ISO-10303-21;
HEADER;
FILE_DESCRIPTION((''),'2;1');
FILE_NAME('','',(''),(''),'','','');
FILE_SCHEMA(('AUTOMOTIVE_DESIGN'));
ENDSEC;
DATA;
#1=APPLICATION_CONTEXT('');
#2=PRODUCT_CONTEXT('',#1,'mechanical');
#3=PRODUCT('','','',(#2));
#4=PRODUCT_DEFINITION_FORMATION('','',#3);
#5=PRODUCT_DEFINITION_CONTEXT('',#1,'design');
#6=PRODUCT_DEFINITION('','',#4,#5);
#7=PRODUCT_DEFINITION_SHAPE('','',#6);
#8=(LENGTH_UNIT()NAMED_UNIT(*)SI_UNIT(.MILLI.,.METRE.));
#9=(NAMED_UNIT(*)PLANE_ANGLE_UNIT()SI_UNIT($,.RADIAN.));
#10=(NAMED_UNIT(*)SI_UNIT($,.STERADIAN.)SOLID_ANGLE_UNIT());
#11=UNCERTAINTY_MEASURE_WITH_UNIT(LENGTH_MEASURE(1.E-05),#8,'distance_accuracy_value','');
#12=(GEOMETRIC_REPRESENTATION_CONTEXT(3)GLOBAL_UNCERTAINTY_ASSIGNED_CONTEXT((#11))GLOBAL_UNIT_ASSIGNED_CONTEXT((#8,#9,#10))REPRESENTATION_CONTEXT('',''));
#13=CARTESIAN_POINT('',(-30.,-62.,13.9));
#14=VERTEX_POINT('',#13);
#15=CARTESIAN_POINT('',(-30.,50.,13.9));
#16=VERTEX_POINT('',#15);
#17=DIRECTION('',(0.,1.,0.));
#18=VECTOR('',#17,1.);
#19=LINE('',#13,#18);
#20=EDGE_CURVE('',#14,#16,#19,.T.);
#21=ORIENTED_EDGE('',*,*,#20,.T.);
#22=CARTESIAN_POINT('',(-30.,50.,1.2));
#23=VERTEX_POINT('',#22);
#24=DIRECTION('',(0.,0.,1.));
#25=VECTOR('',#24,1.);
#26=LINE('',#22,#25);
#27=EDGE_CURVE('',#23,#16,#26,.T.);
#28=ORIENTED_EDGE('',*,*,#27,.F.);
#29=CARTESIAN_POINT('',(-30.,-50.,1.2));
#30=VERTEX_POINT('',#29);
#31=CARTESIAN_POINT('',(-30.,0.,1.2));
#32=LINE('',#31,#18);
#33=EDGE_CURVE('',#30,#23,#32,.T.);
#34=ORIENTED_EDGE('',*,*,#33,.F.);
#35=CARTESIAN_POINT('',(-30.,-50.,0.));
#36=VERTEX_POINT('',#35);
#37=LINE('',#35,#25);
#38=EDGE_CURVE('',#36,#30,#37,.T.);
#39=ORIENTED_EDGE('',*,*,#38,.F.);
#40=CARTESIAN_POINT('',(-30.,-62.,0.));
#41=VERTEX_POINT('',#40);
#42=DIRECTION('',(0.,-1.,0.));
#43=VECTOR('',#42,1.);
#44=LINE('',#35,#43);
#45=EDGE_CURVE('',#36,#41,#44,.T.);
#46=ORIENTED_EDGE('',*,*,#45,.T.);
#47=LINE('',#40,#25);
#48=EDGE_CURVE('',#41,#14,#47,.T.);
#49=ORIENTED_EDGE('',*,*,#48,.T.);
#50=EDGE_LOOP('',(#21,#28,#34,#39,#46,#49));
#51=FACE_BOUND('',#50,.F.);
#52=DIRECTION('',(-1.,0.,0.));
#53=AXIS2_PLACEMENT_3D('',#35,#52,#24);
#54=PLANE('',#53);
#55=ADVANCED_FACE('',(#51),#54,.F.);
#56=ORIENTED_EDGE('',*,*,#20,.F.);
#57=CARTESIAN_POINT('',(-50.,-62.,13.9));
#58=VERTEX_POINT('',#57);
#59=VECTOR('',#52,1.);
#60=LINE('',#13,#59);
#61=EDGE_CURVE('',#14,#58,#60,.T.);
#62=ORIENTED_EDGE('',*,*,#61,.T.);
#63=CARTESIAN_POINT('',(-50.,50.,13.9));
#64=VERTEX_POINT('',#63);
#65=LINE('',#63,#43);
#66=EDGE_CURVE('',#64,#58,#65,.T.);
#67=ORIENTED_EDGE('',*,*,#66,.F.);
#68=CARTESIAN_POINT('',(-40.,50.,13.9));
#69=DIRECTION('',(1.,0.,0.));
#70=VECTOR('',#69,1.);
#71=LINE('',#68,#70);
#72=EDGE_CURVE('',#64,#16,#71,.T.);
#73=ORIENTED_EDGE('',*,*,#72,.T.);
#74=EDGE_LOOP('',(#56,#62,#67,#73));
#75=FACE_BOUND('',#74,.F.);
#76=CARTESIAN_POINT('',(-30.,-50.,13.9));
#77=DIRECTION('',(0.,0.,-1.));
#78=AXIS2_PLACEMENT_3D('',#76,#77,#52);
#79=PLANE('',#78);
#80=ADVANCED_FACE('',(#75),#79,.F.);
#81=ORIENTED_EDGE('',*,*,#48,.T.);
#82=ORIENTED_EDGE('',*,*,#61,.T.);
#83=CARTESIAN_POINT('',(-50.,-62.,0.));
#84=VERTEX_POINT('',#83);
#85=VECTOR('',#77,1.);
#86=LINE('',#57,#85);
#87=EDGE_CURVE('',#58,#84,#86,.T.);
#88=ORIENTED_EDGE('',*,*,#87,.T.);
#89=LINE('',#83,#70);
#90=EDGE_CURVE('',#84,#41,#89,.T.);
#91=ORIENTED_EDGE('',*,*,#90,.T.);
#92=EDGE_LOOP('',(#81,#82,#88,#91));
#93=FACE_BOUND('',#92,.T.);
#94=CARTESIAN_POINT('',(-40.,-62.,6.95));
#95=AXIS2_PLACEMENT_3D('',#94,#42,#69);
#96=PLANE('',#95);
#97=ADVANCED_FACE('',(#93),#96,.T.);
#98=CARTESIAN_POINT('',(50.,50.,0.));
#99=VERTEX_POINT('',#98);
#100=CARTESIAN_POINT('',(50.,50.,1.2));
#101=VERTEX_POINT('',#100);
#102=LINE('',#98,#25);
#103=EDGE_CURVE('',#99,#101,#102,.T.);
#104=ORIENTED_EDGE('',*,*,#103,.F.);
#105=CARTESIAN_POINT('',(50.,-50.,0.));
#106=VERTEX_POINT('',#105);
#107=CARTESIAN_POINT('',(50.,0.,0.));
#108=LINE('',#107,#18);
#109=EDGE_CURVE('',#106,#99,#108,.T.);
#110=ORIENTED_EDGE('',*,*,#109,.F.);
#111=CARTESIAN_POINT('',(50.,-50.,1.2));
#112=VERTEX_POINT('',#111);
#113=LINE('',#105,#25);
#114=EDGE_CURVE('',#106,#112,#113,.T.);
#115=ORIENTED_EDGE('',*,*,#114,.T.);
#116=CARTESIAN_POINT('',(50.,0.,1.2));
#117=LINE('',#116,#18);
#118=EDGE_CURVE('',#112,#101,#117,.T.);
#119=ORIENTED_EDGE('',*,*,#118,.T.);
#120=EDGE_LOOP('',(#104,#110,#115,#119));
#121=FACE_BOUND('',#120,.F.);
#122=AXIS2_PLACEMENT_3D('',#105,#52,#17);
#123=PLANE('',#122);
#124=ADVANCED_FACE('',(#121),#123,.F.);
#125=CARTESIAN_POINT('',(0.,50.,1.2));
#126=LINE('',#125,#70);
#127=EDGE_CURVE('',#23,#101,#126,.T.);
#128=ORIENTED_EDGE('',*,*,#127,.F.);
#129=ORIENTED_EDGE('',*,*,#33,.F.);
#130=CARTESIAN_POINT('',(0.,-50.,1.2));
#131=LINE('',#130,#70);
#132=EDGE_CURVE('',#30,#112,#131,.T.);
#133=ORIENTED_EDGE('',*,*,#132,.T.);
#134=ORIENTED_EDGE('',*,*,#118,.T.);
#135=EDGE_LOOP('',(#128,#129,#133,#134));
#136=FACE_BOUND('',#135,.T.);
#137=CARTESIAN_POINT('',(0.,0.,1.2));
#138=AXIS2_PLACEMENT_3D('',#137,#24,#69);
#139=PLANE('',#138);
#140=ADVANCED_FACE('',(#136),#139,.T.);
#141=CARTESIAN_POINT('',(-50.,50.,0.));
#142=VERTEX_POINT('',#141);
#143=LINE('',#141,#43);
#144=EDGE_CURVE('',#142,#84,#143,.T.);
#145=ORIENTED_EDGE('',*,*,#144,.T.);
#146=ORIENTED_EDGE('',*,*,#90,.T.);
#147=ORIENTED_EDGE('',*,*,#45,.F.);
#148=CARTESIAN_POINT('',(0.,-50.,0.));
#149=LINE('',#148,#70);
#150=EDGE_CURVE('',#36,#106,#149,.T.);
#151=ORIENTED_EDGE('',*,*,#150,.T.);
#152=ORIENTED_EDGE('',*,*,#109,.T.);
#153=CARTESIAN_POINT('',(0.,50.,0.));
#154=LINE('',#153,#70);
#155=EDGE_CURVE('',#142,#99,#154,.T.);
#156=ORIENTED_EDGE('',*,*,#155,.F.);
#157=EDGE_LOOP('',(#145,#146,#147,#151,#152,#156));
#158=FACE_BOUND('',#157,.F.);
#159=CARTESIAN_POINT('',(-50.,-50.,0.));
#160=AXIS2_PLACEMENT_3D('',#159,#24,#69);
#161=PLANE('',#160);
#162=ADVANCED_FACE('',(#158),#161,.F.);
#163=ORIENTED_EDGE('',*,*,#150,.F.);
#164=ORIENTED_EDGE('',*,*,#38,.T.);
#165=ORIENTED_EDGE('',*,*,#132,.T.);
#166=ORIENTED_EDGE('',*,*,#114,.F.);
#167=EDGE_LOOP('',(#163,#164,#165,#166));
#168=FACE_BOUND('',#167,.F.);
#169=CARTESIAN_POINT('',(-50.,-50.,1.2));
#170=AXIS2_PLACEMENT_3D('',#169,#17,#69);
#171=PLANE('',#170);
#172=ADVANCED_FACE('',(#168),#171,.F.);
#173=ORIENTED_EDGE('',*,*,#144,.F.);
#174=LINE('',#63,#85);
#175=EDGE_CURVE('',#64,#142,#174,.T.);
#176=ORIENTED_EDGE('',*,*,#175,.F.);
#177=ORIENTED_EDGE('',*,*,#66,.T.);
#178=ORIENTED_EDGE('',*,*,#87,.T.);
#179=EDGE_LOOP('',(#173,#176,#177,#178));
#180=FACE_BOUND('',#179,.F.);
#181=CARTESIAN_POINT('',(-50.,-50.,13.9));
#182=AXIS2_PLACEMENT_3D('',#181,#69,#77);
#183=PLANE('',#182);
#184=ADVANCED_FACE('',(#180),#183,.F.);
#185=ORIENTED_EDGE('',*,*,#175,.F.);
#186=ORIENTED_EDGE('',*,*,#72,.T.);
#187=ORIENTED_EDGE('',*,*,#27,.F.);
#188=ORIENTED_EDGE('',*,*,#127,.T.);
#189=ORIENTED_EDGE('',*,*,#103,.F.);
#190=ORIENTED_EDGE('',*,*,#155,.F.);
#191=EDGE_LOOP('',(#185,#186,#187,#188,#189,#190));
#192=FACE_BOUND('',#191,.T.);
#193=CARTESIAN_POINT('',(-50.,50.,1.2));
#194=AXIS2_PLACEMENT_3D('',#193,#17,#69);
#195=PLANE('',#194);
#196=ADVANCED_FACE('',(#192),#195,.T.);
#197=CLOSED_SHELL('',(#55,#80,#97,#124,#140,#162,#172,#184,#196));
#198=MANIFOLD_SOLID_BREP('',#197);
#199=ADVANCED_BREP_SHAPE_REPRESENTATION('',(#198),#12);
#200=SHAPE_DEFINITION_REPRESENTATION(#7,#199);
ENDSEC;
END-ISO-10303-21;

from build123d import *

# Parameters (mm, degrees)
F0_W     = 100
F0_H     = 100
F1_DEPTH = 1.2
F2_W     = 20
F2_H     = 100
F3_DEPTH = 12.7
F5_DEPTH = 12


with BuildPart() as f1:
    # F0 (on Top) → F1 (new body)
    with BuildSketch(Plane.XY):
        Rectangle(F0_W, F0_H)
    extrude(amount=F1_DEPTH)

    # F2 (on face) → F3 (join)
    with BuildSketch(Plane.XY.offset(1.2)):
        with Locations((-40, 0)):
            Rectangle(F2_W, F2_H)
    extrude(amount=F3_DEPTH)

    # F4 (on face) → F5 (join)
    with BuildSketch(Plane.XZ.offset(50)):
        Polygon((-30, 13.9), (-50, 13.9), (-50, 0), (-30, 0), (-30, 1.2), align=None)
    extrude(amount=F5_DEPTH)


solid = f1.part
